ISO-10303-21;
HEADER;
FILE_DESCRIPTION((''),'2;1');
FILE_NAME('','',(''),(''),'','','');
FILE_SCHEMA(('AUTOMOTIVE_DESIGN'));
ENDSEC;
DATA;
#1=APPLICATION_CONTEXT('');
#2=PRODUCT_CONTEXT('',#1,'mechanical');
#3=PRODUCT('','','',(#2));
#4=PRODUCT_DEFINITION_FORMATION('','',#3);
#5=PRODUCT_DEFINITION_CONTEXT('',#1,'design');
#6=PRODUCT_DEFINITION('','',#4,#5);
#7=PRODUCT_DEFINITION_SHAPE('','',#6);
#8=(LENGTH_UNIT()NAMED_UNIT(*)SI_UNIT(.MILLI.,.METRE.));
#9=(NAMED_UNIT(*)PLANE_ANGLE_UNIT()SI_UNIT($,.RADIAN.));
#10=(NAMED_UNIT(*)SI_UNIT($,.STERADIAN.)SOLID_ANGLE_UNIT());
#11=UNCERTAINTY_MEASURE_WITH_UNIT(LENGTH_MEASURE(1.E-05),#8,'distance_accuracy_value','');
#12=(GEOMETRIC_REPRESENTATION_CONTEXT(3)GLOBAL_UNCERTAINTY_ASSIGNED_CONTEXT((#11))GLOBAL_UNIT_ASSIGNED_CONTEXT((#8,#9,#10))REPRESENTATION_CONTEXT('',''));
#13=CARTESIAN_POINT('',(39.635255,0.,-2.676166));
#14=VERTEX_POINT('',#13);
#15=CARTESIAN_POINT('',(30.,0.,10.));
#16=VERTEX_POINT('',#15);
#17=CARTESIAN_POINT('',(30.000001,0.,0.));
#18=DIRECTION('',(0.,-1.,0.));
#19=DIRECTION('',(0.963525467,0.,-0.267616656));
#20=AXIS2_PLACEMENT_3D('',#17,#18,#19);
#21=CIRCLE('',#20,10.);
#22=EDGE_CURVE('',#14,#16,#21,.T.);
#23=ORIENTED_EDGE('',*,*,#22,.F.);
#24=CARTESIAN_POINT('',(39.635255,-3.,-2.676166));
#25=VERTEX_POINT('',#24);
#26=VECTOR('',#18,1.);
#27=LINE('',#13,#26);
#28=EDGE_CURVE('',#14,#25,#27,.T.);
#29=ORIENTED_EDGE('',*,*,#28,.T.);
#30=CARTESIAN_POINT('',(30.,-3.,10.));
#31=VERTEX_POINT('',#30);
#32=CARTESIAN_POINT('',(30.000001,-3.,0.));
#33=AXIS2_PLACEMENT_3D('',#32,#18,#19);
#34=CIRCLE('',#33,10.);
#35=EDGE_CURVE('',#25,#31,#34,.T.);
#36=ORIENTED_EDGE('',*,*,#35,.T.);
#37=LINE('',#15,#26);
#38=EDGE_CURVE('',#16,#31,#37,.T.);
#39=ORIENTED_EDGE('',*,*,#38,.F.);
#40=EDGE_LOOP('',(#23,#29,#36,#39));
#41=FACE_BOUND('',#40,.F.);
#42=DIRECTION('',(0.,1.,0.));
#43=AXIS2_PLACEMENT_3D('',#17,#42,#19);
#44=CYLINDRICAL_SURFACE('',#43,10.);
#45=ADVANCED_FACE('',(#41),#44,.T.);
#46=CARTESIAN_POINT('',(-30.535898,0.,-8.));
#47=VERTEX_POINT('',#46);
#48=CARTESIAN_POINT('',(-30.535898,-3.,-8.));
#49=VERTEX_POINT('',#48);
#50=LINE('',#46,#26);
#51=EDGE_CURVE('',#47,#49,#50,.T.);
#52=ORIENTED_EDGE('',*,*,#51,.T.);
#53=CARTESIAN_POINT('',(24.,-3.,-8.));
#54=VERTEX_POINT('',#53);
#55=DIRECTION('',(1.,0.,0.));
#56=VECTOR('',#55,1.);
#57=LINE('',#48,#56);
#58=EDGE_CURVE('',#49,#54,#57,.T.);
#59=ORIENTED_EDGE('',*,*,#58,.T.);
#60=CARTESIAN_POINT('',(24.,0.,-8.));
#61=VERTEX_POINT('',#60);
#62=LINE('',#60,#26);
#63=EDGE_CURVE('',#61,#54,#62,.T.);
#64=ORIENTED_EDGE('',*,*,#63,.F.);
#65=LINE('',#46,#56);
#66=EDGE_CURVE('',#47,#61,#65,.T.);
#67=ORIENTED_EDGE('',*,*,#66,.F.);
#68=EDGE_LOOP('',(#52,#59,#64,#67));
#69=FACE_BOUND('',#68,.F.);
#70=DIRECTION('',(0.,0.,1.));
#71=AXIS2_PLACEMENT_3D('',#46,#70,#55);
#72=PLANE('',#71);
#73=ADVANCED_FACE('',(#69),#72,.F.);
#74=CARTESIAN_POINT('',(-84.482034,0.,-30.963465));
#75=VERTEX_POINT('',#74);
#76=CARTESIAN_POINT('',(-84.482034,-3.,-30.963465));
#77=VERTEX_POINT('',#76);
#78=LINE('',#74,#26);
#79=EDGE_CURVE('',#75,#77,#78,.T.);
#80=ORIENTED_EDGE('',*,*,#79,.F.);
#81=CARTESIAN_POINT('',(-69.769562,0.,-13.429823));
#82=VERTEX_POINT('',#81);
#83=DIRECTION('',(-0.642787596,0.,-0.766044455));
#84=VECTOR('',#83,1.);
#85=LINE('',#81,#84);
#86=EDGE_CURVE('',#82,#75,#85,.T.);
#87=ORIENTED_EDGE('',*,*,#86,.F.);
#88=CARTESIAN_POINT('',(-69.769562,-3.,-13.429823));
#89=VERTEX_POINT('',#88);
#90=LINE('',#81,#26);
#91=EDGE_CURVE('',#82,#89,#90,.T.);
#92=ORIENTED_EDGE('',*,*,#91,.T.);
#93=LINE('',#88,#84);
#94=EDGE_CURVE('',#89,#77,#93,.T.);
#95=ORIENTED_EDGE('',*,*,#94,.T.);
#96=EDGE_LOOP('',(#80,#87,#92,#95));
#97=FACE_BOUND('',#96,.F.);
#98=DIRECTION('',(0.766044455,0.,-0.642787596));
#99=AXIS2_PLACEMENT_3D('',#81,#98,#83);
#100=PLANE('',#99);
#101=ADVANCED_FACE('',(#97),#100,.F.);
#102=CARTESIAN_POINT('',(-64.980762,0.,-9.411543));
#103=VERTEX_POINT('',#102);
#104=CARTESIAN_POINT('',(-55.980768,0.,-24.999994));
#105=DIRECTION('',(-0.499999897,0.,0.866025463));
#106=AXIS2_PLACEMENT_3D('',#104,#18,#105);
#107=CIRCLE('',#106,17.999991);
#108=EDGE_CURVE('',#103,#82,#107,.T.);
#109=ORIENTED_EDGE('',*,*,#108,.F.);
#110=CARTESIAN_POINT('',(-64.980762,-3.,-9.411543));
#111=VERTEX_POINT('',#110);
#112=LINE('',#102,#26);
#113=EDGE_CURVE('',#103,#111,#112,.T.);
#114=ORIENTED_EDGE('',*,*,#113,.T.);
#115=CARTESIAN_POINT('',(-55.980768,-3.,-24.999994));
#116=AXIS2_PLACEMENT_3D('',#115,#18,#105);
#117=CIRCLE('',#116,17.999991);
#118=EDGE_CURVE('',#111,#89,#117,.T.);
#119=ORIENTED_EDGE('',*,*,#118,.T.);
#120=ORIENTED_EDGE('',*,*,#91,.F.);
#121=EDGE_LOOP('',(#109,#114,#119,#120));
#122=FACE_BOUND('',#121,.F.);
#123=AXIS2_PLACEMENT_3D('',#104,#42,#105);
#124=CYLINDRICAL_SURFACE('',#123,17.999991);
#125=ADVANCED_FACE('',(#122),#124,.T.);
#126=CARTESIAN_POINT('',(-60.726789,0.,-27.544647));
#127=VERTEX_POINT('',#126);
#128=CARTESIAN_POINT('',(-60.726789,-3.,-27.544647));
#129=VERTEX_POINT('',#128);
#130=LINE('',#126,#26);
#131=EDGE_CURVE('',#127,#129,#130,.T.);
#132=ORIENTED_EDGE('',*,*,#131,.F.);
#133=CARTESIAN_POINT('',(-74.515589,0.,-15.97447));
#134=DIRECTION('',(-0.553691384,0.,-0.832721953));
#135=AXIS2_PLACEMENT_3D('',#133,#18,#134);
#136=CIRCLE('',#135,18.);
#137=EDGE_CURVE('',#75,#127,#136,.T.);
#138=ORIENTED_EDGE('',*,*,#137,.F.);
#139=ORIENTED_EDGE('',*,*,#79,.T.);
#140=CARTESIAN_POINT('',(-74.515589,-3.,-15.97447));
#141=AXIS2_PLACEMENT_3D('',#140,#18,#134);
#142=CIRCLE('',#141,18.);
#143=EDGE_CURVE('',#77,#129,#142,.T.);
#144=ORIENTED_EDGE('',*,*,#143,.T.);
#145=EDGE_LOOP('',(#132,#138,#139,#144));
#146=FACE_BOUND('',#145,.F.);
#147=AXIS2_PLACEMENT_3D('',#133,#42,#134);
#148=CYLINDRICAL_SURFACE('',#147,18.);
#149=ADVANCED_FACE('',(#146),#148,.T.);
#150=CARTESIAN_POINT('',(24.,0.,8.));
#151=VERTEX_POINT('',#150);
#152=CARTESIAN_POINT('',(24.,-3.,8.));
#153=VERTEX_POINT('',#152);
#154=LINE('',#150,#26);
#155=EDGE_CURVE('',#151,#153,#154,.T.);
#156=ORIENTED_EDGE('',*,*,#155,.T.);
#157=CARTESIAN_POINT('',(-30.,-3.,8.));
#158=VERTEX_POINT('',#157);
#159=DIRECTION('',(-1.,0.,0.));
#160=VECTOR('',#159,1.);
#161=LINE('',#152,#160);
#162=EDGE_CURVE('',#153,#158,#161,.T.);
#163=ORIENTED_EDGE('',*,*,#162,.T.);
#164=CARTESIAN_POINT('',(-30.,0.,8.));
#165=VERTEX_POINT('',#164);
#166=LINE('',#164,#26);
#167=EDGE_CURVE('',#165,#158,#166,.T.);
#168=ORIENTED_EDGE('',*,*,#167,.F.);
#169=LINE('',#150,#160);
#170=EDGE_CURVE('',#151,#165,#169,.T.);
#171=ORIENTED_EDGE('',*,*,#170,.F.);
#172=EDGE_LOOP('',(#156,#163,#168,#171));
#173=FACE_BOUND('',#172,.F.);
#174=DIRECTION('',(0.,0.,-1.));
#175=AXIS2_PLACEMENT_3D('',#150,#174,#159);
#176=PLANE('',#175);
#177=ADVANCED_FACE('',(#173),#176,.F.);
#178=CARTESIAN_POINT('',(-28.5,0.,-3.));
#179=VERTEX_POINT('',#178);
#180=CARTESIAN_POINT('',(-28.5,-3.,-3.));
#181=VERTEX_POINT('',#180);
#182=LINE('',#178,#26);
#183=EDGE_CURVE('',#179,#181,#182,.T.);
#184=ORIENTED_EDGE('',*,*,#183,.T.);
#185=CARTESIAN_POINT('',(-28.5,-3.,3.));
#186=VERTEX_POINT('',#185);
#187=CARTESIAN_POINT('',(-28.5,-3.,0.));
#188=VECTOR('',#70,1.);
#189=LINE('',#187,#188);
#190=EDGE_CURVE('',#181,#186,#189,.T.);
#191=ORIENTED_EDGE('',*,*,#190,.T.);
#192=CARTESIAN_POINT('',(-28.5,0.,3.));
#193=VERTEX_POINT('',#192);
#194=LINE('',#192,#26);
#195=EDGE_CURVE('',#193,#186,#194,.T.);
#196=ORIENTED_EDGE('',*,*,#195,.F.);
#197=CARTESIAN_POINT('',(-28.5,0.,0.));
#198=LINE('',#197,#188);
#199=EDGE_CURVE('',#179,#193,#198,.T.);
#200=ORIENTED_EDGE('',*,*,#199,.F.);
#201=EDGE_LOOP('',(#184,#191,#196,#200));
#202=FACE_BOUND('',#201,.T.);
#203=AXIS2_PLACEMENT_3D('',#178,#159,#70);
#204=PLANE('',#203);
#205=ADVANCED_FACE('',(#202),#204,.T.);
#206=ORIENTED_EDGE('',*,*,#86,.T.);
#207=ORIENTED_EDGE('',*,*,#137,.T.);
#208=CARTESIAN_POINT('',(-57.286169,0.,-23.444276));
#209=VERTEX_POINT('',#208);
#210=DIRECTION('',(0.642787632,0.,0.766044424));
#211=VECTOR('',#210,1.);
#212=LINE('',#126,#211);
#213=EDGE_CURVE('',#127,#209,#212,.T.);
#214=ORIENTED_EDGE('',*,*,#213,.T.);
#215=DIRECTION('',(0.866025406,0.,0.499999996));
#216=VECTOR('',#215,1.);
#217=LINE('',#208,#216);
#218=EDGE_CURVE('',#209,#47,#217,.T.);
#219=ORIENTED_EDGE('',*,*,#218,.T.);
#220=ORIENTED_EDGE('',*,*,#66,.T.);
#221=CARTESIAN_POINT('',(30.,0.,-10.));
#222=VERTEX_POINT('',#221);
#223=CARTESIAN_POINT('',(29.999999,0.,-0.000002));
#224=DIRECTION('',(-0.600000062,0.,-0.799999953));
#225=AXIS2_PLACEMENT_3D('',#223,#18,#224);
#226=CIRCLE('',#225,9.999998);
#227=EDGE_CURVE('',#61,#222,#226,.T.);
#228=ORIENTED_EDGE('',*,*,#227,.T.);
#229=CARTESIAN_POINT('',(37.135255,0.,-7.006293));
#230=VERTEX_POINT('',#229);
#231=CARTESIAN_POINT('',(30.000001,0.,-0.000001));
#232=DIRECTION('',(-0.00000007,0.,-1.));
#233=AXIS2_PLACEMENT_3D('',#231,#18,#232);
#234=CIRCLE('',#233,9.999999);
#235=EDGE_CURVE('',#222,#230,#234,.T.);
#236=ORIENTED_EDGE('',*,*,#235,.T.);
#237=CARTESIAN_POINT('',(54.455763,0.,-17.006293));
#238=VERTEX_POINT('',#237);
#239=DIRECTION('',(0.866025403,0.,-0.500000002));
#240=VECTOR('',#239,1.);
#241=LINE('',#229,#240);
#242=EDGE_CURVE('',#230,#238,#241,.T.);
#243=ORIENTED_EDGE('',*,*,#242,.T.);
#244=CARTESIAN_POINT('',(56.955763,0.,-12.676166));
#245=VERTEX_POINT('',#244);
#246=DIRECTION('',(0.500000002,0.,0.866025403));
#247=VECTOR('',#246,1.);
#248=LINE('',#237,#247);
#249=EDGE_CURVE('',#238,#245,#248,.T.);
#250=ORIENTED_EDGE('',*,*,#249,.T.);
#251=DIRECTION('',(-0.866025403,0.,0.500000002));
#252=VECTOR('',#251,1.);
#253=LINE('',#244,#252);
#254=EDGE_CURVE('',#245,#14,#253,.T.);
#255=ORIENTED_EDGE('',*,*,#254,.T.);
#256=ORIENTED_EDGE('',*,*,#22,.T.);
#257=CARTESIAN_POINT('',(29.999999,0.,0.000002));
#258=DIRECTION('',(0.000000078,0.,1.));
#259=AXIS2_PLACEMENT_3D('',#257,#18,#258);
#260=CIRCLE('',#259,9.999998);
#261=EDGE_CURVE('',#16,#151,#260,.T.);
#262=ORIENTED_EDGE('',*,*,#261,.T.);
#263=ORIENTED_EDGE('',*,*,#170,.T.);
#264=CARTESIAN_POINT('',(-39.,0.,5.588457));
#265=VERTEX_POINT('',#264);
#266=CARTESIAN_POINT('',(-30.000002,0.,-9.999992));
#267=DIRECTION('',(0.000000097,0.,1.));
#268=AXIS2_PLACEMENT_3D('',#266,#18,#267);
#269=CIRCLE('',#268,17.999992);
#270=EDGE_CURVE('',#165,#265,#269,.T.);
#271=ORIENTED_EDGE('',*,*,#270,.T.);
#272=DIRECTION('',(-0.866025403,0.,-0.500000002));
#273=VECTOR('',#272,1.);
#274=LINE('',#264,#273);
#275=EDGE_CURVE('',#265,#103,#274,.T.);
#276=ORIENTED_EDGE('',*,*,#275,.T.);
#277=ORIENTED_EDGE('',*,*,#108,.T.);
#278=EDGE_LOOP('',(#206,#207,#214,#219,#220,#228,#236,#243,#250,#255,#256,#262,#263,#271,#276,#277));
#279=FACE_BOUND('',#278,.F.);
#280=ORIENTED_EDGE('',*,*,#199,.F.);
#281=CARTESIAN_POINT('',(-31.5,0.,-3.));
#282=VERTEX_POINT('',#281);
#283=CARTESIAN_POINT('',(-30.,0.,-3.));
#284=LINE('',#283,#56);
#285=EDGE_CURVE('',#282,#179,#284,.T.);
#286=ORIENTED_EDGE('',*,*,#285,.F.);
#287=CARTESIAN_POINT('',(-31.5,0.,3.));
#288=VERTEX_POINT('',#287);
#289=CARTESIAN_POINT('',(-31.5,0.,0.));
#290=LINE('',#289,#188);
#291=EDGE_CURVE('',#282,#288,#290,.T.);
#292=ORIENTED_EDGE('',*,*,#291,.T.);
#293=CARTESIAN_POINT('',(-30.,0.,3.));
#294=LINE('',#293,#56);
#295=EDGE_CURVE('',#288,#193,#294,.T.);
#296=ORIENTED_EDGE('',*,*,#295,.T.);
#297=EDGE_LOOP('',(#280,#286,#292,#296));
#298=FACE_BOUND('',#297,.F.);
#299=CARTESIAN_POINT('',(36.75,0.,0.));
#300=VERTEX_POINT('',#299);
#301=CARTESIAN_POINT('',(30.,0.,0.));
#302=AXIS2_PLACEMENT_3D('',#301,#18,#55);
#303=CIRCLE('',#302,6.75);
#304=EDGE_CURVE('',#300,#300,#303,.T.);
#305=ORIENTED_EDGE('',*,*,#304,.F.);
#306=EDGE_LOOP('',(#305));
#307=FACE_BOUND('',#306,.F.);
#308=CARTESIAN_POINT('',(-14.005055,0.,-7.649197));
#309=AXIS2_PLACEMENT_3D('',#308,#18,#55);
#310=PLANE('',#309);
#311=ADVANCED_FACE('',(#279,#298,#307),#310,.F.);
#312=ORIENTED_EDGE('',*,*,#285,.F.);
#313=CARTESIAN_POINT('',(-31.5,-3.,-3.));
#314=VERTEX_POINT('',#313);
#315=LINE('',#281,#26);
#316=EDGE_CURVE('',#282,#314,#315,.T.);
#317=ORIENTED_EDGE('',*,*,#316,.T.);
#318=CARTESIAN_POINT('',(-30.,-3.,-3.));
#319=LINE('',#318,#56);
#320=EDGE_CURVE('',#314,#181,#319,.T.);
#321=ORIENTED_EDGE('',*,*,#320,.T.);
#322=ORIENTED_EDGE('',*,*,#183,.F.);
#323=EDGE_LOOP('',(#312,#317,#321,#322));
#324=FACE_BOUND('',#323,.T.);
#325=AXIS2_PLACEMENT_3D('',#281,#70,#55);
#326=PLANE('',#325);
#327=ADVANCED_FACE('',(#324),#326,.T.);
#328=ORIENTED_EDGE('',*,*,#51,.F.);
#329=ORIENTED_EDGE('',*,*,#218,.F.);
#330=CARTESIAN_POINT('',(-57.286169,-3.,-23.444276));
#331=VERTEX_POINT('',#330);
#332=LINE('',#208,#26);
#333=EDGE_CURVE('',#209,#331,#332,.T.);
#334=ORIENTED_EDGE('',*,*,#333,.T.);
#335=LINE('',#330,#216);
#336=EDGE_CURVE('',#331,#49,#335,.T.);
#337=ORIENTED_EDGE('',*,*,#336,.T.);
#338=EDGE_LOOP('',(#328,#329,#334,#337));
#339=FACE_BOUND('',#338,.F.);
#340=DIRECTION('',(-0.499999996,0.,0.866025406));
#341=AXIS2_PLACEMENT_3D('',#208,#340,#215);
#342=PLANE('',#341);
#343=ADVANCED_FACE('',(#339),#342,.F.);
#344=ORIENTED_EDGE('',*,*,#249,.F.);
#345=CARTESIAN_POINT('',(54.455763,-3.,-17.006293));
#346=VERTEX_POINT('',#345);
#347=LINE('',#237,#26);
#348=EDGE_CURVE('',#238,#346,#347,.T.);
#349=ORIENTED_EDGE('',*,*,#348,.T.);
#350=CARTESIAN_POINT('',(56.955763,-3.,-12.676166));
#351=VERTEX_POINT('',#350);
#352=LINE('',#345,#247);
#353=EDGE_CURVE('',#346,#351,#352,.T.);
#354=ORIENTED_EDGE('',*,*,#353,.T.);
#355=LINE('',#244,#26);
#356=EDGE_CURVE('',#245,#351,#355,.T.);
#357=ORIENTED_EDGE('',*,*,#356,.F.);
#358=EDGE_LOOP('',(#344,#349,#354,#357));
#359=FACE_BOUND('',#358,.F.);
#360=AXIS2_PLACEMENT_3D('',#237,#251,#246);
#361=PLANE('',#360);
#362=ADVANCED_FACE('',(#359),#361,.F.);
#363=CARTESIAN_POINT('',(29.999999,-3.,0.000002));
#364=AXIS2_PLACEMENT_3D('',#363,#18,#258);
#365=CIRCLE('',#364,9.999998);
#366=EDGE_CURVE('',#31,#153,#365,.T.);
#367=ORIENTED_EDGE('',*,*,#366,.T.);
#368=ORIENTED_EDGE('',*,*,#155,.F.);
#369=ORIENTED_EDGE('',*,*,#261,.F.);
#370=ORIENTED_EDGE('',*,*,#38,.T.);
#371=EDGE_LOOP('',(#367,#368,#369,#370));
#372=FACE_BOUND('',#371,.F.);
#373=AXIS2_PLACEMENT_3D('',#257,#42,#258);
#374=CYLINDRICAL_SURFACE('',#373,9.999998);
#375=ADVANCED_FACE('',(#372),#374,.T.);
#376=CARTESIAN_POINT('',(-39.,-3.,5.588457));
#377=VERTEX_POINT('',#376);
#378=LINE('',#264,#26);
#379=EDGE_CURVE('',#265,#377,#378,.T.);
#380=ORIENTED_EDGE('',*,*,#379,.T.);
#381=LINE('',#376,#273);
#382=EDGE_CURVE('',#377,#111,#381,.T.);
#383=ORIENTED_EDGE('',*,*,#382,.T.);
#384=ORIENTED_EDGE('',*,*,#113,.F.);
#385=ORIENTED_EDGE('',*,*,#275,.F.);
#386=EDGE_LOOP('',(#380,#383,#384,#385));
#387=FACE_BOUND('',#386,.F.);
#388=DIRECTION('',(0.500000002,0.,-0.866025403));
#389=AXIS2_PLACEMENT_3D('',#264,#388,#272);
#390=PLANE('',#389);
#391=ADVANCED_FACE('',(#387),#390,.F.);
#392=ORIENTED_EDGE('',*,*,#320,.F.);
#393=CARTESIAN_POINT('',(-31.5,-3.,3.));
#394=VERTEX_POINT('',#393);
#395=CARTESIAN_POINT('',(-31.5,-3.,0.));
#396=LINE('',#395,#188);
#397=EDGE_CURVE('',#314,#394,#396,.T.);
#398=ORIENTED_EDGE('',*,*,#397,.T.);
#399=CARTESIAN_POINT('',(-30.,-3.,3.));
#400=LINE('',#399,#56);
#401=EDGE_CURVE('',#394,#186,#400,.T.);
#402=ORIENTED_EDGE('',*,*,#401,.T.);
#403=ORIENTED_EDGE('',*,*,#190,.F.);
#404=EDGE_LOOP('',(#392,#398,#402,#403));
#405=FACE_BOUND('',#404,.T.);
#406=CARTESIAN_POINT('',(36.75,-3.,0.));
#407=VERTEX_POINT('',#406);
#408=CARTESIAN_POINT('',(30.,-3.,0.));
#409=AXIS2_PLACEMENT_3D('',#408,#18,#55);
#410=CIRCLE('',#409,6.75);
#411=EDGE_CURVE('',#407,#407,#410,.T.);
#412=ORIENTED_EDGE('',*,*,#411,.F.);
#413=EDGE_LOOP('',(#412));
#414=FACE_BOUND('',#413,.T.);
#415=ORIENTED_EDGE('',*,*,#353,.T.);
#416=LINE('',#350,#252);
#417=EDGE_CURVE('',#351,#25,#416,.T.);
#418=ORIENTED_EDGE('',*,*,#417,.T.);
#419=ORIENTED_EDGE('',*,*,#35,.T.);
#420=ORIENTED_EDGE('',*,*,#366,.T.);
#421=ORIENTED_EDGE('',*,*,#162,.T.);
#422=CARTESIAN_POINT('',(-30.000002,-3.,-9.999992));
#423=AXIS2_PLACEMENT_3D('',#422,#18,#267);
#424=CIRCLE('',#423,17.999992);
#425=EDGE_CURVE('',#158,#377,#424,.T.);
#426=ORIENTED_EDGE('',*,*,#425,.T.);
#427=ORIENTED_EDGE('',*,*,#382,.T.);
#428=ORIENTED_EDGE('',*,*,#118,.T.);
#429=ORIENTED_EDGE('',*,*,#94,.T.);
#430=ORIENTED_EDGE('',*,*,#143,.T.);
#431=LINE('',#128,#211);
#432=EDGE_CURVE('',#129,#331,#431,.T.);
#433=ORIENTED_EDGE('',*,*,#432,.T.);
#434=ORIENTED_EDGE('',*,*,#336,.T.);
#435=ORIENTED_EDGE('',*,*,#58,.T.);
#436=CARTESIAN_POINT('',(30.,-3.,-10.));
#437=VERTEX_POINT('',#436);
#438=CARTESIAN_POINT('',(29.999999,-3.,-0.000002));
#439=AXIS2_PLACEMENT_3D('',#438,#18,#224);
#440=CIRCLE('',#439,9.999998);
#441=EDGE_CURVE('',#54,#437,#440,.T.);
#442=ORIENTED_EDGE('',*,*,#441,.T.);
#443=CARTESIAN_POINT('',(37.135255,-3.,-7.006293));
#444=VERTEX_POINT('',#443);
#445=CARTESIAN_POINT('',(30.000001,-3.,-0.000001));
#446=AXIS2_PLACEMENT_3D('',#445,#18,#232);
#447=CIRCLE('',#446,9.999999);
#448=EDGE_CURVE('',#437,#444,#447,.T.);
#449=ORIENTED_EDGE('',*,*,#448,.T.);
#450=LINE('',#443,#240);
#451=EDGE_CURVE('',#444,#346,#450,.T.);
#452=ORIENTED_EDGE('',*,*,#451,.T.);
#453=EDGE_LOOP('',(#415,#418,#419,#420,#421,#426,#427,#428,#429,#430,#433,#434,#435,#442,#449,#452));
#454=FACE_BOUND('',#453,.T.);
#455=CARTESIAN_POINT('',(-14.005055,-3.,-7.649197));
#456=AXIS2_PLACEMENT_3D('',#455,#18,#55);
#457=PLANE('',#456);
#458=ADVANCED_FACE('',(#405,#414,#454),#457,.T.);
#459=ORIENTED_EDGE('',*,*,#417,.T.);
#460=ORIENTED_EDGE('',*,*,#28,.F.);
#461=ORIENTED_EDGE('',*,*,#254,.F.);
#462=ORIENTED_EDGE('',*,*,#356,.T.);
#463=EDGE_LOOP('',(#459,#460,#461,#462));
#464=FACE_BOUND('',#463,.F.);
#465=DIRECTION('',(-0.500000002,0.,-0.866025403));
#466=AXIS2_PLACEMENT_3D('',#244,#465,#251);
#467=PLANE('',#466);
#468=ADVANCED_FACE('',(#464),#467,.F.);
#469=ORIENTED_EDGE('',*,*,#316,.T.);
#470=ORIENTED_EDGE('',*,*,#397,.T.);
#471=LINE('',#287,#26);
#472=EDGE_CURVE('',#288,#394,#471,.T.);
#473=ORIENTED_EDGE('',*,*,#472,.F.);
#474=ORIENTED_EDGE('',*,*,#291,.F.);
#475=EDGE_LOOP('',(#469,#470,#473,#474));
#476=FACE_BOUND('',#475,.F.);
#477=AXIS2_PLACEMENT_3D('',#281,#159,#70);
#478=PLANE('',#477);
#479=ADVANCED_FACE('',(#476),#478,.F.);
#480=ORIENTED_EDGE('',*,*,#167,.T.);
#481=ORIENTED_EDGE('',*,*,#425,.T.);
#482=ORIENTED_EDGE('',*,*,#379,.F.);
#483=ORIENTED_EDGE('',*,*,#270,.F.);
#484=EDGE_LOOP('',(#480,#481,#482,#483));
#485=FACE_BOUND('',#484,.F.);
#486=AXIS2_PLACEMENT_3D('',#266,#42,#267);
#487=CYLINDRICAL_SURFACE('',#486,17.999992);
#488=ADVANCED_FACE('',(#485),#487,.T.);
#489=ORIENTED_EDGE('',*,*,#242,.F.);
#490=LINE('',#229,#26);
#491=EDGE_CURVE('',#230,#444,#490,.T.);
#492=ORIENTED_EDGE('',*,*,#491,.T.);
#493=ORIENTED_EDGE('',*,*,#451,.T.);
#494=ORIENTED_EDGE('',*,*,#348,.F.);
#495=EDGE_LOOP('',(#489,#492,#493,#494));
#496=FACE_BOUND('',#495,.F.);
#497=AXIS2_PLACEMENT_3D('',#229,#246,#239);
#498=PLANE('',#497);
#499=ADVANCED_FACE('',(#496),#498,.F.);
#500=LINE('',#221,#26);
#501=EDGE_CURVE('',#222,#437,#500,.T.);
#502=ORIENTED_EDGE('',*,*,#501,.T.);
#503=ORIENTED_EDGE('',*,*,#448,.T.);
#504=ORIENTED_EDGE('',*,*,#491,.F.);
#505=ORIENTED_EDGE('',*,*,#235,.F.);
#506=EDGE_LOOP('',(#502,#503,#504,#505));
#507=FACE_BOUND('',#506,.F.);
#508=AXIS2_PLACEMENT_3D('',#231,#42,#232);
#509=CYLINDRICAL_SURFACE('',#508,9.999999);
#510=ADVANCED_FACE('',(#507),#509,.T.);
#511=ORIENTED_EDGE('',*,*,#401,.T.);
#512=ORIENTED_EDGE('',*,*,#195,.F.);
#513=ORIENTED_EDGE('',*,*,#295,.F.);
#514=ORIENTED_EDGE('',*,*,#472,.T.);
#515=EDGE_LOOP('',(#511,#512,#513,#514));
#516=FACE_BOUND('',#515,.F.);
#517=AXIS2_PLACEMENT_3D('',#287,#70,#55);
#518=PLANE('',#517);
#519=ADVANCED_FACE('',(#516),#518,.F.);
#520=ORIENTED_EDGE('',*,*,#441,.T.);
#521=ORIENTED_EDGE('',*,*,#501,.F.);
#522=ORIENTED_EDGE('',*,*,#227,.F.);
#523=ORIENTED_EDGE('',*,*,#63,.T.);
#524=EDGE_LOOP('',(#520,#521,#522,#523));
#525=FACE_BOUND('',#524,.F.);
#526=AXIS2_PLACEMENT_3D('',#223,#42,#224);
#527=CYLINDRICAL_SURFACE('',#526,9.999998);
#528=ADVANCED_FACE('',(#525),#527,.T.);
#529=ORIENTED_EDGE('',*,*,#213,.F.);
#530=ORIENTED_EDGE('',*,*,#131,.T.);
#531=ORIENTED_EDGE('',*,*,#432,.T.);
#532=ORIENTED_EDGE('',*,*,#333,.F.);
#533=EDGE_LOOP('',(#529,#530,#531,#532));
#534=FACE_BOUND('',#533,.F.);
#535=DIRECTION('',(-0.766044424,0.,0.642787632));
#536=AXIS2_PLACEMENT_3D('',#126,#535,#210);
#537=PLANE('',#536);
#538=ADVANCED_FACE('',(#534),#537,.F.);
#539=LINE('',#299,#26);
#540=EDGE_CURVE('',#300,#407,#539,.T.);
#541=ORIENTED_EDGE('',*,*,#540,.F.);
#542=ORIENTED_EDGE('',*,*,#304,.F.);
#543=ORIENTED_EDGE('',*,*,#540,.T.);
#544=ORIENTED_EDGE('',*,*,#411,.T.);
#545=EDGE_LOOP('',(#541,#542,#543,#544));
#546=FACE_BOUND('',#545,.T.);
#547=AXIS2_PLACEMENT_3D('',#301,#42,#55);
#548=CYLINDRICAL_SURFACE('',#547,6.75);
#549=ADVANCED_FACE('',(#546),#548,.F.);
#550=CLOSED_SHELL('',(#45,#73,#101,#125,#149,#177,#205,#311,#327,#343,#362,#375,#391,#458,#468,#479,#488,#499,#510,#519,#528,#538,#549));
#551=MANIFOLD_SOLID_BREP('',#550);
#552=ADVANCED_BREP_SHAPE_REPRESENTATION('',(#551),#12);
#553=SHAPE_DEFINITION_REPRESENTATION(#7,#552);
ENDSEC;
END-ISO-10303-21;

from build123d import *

# Parameters (mm, degrees)
F0_W     = 3
F0_H     = 6
F0_R     = 6.75
F1_DEPTH = 3


with BuildPart() as f1:
    # F0 (on Front) → F1 (new body)
    with BuildSketch(Plane.XZ):
        with BuildLine():
            Line((-57.286169, -23.444276), (-30.535898, -8))
            Line((-30.535898, -8), (24, -8))
            ThreePointArc((24, -8), (26.837722, -9.486833), (30, -10))
            ThreePointArc((30, -10), (33.868919, -9.221251), (37.135255, -7.006293))
            Line((37.135255, -7.006293), (54.455763, -17.006293))
            Line((54.455763, -17.006293), (56.955763, -12.676166))
            Line((56.955763, -12.676166), (39.635255, -2.676166))
            ThreePointArc((39.635255, -2.676166), (37.961208, 6.051378), (30, 10))
            ThreePointArc((30, 10), (26.837722, 9.486833), (24, 8))
            Line((24, 8), (-30, 8))
            ThreePointArc((-30, 8), (-34.658743, 7.386665), (-39, 5.588457))
            Line((-39, 5.588457), (-64.980762, -9.411543))
            ThreePointArc((-64.980762, -9.411543), (-67.550939, -11.2112), (-69.769562, -13.429823))
            Line((-69.769562, -13.429823), (-84.482034, -30.963465))
            ThreePointArc((-84.482034, -30.963465), (-71.951476, -33.790904), (-60.726789, -27.544647))
            Line((-60.726789, -27.544647), (-57.286169, -23.444276))
        make_face()
        with Locations((-30, 0)):
            Rectangle(F0_W, F0_H, mode=Mode.SUBTRACT)
        with Locations((30, 0)):
            Circle(F0_R, mode=Mode.SUBTRACT)
    extrude(amount=F1_DEPTH)


solid = f1.part
